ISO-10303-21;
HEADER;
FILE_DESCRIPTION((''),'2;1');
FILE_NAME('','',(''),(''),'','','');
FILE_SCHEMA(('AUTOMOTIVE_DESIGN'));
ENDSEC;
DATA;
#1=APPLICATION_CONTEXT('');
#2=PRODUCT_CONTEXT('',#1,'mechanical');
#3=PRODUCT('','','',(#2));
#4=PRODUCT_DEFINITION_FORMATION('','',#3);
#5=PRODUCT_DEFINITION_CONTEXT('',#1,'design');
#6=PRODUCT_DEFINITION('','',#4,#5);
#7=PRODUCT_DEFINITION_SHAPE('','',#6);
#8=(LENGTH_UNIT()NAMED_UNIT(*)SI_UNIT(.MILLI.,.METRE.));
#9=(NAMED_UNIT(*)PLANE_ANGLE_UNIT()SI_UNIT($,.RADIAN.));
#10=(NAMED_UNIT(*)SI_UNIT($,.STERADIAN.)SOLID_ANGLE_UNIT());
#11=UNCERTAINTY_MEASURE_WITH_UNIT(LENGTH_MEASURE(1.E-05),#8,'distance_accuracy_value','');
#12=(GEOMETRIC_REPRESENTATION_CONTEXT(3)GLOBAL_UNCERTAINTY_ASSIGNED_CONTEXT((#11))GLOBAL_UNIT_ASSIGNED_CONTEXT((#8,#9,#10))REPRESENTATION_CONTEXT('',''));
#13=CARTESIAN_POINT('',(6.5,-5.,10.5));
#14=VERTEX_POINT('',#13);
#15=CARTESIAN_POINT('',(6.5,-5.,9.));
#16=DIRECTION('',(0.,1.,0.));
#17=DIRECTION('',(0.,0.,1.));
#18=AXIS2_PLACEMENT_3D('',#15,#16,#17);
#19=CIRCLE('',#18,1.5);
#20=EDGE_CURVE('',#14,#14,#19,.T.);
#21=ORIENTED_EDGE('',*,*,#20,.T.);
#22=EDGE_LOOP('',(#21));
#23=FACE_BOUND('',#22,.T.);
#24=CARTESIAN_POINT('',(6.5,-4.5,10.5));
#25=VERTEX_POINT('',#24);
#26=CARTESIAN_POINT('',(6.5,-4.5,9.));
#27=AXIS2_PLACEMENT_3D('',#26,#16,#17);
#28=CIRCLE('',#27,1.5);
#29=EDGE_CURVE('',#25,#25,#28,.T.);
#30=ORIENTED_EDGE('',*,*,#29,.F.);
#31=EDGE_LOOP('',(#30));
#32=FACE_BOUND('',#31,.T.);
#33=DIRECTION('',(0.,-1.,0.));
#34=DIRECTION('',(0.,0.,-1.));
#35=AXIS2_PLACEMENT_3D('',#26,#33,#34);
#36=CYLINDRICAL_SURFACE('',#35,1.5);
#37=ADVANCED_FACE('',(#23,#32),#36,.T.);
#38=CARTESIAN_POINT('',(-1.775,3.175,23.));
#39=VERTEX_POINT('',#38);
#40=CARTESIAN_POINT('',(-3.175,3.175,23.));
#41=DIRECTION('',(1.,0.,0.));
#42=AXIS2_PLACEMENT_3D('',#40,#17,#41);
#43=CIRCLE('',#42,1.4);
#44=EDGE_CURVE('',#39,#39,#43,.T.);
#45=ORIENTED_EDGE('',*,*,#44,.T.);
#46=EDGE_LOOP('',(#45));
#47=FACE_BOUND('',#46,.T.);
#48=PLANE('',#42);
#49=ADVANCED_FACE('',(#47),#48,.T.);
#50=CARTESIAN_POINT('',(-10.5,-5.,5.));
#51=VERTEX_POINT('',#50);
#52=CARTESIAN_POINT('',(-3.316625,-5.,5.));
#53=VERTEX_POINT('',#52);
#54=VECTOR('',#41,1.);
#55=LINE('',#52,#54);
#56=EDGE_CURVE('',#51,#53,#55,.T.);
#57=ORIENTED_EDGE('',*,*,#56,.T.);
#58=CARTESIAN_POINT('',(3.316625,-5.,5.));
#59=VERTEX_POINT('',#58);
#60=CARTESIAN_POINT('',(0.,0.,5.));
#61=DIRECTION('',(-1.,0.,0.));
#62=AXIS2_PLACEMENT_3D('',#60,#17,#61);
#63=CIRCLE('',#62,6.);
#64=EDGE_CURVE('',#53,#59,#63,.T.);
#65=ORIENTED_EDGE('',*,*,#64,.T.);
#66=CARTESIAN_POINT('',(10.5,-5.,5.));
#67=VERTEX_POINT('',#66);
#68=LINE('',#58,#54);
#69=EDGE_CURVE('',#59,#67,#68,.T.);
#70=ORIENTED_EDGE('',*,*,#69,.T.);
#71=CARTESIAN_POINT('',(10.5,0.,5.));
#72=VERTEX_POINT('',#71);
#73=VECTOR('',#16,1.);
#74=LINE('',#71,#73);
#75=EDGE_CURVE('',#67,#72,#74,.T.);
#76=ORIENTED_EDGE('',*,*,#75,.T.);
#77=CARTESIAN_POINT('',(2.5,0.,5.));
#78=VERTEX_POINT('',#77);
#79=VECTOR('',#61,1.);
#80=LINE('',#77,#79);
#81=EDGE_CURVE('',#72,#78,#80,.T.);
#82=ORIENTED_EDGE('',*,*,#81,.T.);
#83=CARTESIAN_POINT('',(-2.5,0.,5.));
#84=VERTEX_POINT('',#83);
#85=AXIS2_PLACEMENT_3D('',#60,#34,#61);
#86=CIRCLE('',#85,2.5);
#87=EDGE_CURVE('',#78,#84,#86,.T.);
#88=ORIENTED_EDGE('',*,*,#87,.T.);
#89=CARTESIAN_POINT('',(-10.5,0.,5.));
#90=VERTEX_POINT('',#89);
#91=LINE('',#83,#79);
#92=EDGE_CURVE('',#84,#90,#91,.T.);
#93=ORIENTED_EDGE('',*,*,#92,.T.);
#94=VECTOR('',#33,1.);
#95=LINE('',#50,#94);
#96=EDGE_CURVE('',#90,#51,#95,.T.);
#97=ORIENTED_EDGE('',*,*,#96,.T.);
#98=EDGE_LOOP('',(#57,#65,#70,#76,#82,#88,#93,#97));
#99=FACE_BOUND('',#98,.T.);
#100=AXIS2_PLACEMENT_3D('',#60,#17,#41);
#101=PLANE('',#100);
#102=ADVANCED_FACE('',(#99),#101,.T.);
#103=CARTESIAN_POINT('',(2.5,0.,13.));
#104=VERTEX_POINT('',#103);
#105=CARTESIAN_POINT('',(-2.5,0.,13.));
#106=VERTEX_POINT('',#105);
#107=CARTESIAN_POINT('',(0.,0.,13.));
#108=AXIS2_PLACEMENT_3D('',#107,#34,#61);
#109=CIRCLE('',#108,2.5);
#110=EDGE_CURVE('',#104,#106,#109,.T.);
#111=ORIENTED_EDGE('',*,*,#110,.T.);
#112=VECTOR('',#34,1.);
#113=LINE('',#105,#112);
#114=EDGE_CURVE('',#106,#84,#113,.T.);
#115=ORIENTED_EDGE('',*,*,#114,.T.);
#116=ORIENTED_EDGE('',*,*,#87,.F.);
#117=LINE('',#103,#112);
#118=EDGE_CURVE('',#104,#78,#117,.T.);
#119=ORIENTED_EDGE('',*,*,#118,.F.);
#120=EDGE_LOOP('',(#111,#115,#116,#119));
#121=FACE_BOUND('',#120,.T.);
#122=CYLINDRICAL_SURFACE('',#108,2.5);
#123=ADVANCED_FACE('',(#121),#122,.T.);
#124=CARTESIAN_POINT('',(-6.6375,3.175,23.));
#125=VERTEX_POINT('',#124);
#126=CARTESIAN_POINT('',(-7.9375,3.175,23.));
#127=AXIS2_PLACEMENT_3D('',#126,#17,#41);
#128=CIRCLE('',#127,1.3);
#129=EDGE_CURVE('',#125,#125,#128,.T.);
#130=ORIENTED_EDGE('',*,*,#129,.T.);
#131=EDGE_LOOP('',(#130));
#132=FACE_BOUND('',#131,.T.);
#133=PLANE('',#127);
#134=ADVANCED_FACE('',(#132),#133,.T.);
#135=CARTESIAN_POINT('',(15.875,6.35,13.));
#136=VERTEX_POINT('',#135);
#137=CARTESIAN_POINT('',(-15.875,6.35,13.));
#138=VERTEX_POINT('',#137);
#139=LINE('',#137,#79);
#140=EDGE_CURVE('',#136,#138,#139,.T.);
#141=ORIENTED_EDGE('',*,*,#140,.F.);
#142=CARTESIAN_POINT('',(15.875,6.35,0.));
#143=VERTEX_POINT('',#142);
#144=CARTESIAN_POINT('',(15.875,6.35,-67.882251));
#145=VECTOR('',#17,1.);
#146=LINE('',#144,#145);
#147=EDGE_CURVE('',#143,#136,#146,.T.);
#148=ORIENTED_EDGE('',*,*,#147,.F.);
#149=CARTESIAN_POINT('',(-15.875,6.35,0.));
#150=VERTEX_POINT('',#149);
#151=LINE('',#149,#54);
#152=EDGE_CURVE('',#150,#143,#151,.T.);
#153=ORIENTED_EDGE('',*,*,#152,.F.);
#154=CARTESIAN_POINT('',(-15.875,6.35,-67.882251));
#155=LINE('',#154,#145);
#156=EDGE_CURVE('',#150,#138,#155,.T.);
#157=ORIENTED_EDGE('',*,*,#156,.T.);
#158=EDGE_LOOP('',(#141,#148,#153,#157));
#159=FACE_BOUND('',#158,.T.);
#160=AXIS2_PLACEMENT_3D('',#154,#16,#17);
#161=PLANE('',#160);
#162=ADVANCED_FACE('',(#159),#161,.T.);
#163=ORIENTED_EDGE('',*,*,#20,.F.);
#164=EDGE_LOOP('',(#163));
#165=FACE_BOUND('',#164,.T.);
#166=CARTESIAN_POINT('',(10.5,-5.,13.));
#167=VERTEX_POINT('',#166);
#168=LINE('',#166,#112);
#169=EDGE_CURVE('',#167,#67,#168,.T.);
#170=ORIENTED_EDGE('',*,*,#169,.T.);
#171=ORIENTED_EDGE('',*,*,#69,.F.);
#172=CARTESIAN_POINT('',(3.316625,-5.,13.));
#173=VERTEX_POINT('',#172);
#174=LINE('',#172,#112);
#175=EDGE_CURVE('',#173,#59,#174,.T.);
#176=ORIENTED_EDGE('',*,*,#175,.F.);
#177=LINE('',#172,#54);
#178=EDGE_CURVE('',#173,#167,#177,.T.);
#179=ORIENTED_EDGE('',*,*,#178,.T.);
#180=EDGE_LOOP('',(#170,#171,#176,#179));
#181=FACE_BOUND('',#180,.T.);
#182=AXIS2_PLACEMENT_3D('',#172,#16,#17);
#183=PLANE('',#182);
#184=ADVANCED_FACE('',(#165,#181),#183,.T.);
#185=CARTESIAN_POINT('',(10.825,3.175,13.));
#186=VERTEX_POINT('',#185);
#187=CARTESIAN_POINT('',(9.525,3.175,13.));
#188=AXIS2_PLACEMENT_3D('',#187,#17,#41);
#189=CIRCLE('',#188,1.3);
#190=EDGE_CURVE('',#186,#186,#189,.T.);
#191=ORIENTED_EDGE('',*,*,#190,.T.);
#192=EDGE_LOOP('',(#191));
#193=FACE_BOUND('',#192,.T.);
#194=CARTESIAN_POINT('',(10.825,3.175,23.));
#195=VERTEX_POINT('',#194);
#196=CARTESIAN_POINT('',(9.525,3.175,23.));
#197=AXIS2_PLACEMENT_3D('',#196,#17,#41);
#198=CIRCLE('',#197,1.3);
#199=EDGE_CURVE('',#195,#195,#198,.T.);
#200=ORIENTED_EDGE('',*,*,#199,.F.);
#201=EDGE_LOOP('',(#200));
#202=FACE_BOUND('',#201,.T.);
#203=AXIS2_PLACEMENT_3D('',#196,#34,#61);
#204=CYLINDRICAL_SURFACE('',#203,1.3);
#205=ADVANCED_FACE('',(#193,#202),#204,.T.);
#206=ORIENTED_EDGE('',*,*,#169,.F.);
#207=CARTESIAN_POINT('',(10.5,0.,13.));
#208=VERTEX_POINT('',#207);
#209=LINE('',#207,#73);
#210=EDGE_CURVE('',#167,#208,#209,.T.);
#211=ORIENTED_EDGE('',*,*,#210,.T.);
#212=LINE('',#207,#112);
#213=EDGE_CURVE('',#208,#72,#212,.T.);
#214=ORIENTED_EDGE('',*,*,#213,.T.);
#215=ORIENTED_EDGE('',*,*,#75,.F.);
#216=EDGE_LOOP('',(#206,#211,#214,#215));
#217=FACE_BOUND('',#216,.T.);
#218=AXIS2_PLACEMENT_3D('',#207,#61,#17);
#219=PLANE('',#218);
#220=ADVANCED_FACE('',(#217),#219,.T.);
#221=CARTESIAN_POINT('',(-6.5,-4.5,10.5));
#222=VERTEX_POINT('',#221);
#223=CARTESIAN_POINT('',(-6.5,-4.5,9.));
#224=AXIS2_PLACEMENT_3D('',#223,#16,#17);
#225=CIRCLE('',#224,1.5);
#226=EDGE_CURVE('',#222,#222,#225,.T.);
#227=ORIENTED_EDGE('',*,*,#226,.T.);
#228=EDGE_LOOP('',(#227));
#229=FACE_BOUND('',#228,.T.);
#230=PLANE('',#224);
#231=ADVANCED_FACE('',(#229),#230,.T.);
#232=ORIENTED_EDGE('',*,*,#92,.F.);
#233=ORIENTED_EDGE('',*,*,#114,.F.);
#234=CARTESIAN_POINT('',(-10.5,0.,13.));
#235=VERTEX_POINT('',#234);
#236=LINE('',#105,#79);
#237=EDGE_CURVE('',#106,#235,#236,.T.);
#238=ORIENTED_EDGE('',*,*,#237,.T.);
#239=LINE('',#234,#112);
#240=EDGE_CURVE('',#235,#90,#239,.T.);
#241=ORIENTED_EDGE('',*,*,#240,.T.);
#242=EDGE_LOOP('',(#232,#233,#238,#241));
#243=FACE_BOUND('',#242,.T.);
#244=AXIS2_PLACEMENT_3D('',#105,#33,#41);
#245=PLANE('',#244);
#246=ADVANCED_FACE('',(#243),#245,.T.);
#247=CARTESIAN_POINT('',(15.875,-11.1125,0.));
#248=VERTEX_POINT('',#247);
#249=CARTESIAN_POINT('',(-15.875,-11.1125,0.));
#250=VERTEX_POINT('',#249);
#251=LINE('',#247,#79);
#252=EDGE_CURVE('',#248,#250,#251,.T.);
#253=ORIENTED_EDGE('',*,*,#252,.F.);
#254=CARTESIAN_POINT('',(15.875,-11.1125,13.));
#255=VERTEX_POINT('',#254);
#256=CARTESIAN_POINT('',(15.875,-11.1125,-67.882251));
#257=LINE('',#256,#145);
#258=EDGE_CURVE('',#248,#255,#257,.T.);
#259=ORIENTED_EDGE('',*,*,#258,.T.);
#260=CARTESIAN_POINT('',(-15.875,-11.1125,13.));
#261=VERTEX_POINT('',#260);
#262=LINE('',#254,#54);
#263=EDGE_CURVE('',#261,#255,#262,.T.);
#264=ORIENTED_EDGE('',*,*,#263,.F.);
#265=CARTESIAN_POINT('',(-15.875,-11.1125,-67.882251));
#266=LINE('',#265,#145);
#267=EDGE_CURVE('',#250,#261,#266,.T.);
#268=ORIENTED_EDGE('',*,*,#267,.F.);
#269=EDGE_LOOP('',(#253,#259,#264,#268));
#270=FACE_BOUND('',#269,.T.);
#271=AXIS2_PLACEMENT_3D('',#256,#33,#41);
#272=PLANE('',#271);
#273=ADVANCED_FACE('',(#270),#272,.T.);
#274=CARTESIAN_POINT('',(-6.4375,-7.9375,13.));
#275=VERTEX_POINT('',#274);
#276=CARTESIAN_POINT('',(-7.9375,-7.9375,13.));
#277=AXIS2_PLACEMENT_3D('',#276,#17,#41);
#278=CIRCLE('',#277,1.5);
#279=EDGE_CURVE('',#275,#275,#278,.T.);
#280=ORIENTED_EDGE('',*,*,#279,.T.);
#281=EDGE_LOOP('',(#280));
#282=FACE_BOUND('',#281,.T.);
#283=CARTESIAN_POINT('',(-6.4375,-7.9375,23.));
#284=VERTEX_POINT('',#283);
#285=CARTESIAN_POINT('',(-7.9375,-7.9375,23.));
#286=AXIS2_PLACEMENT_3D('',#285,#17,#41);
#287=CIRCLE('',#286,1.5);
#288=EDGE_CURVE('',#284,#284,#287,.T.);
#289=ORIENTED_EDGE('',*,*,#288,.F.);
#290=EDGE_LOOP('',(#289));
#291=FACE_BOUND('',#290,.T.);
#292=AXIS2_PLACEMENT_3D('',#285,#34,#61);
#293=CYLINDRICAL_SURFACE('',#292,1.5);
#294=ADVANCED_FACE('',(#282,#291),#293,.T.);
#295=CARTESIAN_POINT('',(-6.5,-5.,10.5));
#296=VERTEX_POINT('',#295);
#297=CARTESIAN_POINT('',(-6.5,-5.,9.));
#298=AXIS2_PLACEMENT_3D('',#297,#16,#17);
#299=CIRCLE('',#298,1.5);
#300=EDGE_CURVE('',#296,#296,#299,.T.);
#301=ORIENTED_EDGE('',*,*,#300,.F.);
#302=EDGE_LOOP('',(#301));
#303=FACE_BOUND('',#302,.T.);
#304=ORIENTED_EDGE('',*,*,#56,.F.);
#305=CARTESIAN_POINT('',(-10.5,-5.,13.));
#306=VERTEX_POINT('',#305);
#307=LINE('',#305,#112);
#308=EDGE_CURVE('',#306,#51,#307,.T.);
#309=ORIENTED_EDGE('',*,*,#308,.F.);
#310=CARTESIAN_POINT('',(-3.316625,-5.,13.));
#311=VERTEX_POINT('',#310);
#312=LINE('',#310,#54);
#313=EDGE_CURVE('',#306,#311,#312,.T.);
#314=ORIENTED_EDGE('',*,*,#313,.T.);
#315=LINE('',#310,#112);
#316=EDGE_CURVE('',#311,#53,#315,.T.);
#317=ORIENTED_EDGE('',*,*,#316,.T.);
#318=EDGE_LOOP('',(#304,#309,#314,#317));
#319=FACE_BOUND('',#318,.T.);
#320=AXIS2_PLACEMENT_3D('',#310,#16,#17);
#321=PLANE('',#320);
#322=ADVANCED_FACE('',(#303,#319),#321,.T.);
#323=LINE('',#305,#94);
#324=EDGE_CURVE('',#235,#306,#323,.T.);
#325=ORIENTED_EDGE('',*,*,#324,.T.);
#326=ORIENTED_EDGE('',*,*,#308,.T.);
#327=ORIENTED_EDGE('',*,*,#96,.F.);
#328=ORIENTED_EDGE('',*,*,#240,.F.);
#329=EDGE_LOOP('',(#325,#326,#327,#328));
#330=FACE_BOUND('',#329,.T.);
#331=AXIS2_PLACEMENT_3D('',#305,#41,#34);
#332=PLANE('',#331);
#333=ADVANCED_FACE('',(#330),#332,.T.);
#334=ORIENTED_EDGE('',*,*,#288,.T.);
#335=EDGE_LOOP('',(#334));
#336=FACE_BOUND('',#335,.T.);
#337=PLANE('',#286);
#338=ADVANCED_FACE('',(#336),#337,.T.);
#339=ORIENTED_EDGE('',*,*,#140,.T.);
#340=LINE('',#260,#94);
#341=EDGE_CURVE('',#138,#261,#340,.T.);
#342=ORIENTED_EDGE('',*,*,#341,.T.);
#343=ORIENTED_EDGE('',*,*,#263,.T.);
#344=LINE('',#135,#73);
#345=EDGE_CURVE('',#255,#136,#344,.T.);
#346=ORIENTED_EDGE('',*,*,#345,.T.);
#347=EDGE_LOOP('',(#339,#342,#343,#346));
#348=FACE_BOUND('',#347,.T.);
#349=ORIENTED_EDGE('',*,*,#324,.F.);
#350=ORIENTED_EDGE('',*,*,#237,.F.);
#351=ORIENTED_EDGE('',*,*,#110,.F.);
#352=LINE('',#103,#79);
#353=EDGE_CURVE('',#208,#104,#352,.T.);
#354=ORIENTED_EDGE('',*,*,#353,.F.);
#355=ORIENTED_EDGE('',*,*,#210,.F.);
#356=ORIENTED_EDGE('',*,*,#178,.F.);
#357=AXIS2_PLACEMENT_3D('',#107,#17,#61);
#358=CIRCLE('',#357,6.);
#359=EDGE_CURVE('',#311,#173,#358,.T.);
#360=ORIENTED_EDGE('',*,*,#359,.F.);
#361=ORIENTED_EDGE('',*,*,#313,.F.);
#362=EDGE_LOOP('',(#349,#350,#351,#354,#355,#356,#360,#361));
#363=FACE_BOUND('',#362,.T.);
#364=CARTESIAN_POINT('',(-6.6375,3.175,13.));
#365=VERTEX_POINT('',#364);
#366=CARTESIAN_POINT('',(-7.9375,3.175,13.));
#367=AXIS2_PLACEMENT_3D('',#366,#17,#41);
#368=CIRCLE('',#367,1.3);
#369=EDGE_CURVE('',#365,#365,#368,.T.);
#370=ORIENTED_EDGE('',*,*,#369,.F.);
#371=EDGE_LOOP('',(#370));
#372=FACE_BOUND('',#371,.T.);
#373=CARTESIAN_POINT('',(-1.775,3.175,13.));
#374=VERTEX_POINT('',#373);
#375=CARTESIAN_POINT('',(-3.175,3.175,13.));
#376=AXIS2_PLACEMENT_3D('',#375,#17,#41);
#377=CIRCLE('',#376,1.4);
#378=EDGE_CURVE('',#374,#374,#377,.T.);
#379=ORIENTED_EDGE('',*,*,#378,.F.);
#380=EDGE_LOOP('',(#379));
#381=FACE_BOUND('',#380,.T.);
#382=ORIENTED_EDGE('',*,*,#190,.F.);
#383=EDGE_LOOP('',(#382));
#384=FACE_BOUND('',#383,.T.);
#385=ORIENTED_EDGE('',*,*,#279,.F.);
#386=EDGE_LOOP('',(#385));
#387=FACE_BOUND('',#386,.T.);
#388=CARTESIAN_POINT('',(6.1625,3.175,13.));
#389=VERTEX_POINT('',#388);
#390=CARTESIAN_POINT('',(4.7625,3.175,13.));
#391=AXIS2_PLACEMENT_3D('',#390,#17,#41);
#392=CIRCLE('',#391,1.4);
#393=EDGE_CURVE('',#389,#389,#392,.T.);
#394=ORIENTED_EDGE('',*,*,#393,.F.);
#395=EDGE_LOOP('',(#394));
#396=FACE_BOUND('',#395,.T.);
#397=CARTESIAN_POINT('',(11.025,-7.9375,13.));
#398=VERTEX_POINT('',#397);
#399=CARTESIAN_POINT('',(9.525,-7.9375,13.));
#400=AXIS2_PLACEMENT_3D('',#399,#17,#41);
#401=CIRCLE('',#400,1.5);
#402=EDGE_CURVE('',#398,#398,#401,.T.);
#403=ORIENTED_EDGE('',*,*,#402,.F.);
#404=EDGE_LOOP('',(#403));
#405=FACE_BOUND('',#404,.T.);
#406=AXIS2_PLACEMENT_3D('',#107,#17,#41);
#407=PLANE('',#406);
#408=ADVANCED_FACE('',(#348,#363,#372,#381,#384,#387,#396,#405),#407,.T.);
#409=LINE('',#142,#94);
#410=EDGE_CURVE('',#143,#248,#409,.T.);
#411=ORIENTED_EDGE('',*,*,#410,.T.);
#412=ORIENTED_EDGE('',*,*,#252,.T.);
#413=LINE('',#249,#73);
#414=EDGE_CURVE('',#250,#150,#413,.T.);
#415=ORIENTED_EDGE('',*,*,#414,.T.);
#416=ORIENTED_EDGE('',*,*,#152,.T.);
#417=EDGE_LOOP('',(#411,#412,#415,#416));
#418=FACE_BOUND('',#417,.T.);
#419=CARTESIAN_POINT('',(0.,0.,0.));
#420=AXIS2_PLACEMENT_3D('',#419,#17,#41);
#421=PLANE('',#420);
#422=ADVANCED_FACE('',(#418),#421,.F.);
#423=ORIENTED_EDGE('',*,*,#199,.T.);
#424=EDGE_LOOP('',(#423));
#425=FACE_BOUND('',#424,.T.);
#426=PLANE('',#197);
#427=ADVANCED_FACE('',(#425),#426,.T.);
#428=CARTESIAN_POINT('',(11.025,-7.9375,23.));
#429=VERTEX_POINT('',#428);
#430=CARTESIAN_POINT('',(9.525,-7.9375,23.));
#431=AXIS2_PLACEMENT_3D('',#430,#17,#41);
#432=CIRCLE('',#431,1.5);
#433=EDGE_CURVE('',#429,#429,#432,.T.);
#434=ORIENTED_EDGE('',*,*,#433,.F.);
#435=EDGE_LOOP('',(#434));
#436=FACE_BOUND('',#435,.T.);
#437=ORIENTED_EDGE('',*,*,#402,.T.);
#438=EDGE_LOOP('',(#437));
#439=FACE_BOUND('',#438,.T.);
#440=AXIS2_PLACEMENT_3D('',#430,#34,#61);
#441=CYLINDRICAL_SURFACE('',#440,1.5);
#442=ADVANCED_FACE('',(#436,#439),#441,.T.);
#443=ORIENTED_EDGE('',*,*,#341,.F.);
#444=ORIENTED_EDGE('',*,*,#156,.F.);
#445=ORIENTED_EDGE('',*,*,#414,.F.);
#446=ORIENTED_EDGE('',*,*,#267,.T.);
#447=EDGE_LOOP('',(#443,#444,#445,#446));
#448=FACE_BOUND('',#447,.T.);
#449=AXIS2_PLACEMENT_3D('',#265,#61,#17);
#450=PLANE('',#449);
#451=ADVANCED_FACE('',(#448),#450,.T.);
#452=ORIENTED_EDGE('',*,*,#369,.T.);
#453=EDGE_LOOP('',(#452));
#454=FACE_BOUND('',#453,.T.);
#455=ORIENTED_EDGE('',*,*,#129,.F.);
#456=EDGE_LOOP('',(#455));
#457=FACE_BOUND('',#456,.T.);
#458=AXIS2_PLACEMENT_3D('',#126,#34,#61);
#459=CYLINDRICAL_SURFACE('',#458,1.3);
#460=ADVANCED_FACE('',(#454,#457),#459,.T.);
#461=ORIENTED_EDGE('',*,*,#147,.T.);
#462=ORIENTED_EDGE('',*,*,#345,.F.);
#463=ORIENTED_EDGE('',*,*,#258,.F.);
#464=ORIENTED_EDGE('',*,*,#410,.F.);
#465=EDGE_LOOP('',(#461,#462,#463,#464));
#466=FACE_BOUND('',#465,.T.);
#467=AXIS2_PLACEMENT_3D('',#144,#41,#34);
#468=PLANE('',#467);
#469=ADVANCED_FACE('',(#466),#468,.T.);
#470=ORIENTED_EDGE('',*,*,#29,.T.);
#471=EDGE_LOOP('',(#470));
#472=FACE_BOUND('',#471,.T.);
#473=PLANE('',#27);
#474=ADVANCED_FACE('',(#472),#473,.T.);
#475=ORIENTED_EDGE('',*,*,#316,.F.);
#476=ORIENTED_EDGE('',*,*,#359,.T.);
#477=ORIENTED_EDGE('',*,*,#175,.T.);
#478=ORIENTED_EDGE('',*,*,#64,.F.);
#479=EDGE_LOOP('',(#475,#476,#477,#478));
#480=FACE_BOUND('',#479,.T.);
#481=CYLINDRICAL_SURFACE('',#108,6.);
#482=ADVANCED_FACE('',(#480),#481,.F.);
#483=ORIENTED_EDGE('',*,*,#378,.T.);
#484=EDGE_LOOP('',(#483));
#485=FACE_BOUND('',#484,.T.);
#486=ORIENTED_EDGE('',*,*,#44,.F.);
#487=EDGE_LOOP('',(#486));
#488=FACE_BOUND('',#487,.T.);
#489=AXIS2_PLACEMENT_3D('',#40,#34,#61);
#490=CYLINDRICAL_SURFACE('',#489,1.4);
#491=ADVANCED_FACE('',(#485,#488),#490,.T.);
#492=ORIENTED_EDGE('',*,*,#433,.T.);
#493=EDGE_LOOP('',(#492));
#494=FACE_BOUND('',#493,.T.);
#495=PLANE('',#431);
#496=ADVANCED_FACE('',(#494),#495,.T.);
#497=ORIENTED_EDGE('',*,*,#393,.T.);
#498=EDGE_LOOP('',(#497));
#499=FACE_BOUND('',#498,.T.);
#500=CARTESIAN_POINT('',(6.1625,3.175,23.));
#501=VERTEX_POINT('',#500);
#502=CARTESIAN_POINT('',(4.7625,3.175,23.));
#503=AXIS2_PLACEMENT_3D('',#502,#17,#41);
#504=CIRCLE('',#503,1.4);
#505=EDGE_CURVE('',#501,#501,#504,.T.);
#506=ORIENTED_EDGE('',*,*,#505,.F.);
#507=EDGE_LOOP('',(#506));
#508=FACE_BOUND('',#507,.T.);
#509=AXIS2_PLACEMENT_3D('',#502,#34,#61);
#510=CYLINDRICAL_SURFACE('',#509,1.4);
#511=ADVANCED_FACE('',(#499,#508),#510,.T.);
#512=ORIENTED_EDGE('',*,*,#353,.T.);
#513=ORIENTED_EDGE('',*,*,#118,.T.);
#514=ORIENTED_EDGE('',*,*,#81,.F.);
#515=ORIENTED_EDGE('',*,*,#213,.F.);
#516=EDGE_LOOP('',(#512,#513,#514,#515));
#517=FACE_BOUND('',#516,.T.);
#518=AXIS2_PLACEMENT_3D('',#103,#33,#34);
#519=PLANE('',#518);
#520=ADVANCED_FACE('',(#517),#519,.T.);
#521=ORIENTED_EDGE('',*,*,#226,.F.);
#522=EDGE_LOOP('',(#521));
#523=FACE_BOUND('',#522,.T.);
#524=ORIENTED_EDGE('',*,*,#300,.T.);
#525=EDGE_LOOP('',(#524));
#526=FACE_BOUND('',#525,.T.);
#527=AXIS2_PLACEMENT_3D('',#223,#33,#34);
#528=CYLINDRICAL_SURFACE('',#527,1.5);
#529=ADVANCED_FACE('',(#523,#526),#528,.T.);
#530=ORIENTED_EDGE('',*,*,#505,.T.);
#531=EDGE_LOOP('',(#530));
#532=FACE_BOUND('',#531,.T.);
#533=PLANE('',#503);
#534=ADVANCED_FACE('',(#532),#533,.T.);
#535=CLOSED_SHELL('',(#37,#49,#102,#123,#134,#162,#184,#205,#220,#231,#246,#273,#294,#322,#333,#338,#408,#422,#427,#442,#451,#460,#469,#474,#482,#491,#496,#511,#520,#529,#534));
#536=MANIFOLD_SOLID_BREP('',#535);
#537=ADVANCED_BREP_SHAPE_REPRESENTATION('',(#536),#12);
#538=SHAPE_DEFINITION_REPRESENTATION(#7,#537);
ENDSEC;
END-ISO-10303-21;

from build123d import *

# Parameters (mm, degrees)
SKETCH1_R      = 24
EXTRUDE1_DEPTH = 5
SKETCH2_R      = 24
EXTRUDE2_DEPTH = 8
SKETCH9_R      = 24
SKETCH9_W      = 31.75
SKETCH9_H      = 17.4625
EXTRUDE4_DEPTH = 13
SKETCH10_R     = 1.3
SKETCH10_R_2   = 1.5
SKETCH10_R_3   = 1.4
EXTRUDE5_DEPTH = 10
SKETCH11_R     = 1.5
EXTRUDE6_DEPTH = 0.5


with BuildPart() as part:
    # Sketch1 → Extrude1 (new body)
    with BuildSketch(Plane.XY):
        Circle(SKETCH1_R)
    extrude(amount=EXTRUDE1_DEPTH)

    # Sketch2 → Extrude2 (add)
    with BuildSketch(Plane.XY.offset(5)):
        Circle(SKETCH2_R)
        with BuildLine():
            Line((-2.5, 0), (-10.5, 0))
            Line((-10.5, 0), (-10.5, -5))
            Line((-10.5, -5), (-3.31662479, -5))
            ThreePointArc((-3.31662479, -5), (0, -6), (3.31662479, -5))
            Line((3.31662479, -5), (10.5, -5))
            Line((10.5, -5), (10.5, 0))
            Line((10.5, 0), (2.5, 0))
            ThreePointArc((2.5, 0), (0, -2.5), (-2.5, 0))
        make_face(mode=Mode.SUBTRACT)
    extrude(amount=EXTRUDE2_DEPTH)

    # Sketch9 → Extrude4 (cut)
    with BuildSketch(Plane.XY.offset(13)):
        Circle(SKETCH9_R)
        with Locations((0, -2.38125)):
            Rectangle(SKETCH9_W, SKETCH9_H, mode=Mode.SUBTRACT)
    extrude(amount=-EXTRUDE4_DEPTH, mode=Mode.SUBTRACT)

    # Sketch10 → Extrude5 (add)
    with BuildSketch(Plane.XY.offset(13)):
        with Locations((9.525, 3.175)):
            Circle(SKETCH10_R)
        with Locations((-7.9375, 3.175)):
            Circle(SKETCH10_R)
        with Locations((-7.9375, -7.9375)):
            Circle(SKETCH10_R_2)
        with Locations((9.525, -7.9375)):
            Circle(SKETCH10_R_2)
        with Locations((-3.175, 3.175)):
            Circle(SKETCH10_R_3)
        with Locations((4.7625, 3.175)):
            Circle(SKETCH10_R_3)
    extrude(amount=EXTRUDE5_DEPTH)

    # Sketch11 → Extrude6 (add)
    with BuildSketch(Plane(origin=(0, -5, 0), x_dir=(1, 0, 0), z_dir=(0, 1, 0))):
        with Locations((-6.5, -9)):
            Circle(SKETCH11_R)
        with Locations((6.5, -9)):
            Circle(SKETCH11_R)
    extrude(amount=EXTRUDE6_DEPTH)


solid = part.part
